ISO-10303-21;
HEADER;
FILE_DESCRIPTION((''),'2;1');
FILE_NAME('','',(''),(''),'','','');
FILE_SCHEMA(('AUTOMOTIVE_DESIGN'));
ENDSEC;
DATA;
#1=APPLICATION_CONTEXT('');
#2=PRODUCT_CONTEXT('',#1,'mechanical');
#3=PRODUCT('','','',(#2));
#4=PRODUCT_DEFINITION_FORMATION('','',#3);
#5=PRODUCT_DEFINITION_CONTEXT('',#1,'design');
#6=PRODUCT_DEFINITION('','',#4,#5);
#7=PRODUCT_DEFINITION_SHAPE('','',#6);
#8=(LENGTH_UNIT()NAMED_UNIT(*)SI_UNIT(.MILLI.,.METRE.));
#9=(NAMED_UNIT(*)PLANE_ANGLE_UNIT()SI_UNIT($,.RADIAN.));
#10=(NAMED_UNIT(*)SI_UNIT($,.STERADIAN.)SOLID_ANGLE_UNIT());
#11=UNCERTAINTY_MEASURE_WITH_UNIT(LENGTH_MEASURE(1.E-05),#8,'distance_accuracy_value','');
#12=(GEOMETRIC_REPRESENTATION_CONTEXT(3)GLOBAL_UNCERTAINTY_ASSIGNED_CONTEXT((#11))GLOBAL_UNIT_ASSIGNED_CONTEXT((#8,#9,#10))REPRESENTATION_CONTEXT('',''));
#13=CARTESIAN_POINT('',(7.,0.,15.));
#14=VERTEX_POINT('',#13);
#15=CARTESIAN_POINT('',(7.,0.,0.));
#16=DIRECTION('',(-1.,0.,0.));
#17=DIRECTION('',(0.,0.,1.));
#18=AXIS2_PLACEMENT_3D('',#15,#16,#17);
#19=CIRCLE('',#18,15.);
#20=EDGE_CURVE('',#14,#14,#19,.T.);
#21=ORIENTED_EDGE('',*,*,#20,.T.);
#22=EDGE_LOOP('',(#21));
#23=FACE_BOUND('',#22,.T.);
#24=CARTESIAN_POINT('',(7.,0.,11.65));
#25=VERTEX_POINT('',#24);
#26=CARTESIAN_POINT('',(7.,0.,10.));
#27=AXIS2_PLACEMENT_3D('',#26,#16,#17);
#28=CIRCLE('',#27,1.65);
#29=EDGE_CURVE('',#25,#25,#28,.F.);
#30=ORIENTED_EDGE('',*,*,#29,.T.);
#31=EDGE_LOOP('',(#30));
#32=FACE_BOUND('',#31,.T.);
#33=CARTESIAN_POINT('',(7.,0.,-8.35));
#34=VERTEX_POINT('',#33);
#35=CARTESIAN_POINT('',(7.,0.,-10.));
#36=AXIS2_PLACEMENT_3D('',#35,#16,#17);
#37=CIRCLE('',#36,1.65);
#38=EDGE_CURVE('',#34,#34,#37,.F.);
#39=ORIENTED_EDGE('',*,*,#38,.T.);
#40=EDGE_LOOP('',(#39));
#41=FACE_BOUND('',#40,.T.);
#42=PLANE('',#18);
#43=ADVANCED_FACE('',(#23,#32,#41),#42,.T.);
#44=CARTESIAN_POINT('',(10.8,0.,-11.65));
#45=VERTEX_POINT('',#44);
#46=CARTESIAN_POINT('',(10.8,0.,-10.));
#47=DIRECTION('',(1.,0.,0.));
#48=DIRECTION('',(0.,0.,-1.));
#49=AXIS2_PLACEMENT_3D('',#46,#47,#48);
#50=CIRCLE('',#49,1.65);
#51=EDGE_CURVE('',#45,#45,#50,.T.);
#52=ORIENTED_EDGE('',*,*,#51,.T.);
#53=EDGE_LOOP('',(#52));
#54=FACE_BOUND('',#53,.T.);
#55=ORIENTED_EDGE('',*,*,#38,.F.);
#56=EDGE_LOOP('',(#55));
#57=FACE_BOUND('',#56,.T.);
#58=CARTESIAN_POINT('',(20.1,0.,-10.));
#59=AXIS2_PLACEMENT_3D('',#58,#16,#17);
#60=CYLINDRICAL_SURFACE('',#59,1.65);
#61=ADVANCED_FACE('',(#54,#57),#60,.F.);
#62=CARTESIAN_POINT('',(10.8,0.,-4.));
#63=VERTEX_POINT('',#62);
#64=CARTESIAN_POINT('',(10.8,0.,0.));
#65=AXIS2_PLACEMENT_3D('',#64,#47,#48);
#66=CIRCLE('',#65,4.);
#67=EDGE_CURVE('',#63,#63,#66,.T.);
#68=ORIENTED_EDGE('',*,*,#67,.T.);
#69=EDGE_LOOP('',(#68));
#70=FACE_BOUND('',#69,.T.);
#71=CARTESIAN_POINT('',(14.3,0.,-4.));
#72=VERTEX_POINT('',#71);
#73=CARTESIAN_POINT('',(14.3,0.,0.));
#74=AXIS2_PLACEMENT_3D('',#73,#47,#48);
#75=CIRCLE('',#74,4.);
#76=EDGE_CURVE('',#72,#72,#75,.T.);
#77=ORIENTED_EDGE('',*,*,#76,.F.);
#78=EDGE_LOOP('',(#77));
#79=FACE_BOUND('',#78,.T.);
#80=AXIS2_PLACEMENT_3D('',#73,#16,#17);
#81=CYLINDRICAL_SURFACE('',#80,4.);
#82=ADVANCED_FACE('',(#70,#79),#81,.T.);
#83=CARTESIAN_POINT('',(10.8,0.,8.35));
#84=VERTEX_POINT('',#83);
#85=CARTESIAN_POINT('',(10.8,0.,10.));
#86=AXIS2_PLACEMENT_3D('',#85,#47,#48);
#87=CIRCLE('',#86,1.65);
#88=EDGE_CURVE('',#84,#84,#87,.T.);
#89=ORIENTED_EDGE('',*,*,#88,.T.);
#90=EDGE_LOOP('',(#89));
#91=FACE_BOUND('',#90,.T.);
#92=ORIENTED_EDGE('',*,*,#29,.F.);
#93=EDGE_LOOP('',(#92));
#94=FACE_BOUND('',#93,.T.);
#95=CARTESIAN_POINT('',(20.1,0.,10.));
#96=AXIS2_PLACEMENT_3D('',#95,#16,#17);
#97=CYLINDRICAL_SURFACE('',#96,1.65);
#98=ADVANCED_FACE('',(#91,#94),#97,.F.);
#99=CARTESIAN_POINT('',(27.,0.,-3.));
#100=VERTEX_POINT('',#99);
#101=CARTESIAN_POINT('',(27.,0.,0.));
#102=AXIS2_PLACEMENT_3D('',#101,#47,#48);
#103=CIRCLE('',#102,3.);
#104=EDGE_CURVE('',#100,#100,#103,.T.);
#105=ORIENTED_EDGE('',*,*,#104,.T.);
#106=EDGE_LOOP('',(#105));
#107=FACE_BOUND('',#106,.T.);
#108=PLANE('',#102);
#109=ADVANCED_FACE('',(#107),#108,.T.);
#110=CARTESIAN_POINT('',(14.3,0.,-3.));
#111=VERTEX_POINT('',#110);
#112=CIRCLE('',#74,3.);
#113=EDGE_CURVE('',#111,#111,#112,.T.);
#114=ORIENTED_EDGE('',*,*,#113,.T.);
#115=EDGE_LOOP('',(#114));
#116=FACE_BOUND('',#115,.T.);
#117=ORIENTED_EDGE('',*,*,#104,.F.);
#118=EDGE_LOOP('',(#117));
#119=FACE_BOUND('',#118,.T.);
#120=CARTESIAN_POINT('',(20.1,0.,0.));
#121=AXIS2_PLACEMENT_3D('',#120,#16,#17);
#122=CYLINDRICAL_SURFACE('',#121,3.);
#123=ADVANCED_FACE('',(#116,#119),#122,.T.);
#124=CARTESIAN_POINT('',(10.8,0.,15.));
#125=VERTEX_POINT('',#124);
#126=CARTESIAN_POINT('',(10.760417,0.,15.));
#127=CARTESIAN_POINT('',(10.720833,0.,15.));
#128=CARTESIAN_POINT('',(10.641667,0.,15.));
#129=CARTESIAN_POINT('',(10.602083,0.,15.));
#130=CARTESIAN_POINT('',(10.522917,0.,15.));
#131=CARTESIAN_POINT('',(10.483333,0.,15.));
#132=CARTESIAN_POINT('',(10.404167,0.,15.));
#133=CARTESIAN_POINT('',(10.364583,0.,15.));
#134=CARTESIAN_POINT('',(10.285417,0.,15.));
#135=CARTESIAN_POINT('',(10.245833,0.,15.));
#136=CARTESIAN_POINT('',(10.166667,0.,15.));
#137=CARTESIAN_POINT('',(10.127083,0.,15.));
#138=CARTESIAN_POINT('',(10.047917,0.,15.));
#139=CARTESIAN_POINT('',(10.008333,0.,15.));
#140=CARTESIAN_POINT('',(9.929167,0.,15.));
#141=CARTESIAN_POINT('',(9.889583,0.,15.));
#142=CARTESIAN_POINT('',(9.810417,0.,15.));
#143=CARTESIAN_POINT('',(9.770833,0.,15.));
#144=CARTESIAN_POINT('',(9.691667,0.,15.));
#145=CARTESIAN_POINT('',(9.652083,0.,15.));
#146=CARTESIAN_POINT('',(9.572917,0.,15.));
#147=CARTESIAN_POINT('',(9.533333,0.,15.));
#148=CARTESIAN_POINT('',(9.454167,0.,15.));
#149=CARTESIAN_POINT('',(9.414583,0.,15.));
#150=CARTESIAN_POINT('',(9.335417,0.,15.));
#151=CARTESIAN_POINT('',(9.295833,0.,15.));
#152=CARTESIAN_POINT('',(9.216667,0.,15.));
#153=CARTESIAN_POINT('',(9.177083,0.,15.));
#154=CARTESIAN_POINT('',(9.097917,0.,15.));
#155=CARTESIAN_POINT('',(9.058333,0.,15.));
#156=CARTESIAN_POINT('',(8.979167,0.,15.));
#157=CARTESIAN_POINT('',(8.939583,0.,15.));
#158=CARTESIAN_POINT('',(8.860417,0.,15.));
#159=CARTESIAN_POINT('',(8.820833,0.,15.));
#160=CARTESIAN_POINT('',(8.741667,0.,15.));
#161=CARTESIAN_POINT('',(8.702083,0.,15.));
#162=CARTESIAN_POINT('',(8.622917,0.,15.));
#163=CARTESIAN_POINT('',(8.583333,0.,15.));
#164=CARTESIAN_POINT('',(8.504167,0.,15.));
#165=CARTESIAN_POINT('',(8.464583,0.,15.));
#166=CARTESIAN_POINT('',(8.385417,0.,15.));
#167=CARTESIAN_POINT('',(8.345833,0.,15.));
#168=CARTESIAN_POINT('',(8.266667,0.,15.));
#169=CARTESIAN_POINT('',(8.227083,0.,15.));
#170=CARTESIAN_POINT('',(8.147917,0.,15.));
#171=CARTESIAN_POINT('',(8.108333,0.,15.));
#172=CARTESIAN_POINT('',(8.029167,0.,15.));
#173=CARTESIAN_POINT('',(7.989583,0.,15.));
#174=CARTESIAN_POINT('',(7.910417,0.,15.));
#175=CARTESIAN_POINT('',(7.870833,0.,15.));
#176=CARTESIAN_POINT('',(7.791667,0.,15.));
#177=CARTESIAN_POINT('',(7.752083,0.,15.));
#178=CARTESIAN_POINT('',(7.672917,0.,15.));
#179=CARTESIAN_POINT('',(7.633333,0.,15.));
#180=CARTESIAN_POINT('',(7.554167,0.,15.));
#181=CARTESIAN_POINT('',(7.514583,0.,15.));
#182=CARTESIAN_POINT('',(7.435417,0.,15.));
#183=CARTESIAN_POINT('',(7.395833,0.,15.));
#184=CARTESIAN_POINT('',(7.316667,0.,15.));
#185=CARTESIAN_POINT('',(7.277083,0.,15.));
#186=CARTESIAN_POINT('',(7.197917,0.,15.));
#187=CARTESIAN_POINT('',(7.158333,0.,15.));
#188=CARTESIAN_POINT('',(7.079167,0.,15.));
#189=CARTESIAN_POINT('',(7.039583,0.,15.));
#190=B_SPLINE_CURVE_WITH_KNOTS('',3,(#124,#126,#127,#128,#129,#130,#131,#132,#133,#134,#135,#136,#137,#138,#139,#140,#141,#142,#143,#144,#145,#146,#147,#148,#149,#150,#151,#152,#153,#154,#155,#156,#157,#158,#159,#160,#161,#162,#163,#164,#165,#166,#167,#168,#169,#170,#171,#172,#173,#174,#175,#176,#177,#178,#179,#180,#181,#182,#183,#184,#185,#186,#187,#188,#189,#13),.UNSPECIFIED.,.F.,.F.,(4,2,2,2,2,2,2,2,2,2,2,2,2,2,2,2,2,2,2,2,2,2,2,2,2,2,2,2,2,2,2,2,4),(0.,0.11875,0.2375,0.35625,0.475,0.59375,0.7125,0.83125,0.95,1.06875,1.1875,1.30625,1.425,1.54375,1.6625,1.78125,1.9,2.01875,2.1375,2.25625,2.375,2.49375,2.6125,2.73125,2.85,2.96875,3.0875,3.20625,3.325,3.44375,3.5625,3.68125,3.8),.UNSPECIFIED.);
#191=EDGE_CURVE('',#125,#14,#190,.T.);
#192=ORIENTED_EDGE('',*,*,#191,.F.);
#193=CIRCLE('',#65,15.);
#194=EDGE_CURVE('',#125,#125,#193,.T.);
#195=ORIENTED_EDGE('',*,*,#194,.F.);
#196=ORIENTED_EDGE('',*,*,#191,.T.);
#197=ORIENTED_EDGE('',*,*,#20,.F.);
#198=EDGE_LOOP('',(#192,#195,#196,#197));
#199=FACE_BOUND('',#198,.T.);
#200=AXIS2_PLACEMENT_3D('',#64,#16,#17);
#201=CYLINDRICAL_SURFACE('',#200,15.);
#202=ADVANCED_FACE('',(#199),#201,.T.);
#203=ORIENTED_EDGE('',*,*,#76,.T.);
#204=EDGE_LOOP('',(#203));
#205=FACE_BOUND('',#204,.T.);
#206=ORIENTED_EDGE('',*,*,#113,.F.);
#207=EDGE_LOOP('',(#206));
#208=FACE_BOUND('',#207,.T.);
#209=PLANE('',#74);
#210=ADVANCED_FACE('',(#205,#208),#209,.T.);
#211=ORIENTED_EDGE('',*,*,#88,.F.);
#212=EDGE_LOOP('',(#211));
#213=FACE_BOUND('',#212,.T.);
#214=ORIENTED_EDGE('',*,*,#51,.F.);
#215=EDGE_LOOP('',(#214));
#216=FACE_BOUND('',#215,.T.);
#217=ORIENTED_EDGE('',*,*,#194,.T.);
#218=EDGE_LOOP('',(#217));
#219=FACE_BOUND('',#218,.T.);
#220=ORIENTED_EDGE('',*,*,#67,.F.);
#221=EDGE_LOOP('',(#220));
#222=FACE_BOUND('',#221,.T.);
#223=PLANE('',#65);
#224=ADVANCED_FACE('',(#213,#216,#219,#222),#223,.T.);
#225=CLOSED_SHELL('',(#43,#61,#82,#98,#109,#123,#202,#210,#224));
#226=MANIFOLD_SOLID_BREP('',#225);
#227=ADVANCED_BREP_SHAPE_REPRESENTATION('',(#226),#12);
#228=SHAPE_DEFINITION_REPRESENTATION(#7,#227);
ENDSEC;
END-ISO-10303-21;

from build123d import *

# Parameters (mm, degrees)
SKETCH_1_R          = 15
EXTRUDE_1_DEPTH     = 10.8
SKETCH_2_R          = 4
EXTRUDE_2_DEPTH     = 3.5
SKETCH_3_R          = 3
EXTRUDE_3_DEPTH     = 5.8
SKETCH_4_R          = 1.65
CUT_EXTRUDE_1_DEPTH = 30.223449488
SKETCH_5_R          = 3
EXTRUDE_4_DEPTH     = 6.9
SKETCH_6_R          = 15
CUT_EXTRUDE_2_DEPTH = 7


with BuildPart() as part:
    # ｽｹｯﾁ1 → ﾎﾞｽ - 押し出し1 (new body)
    with BuildSketch(Plane(origin=(0, 0, 0), x_dir=(0, 0, -1), z_dir=(1, 0, 0))):
        with Locations(Location((0, 0, 0), (0, 0, 180))):
            Circle(SKETCH_1_R)
    extrude(amount=EXTRUDE_1_DEPTH)

    # ｽｹｯﾁ2 → ﾎﾞｽ - 押し出し2 (add)
    with BuildSketch(Plane(origin=(10.8, 0, 0), x_dir=(0, 0, -1), z_dir=(1, 0, 0))):
        Circle(SKETCH_2_R)
    extrude(amount=EXTRUDE_2_DEPTH)

    # ｽｹｯﾁ3 → ﾎﾞｽ - 押し出し3 (add)
    with BuildSketch(Plane(origin=(14.3, 0, 0), x_dir=(0, 0, -1), z_dir=(1, 0, 0))):
        Circle(SKETCH_3_R)
    extrude(amount=EXTRUDE_3_DEPTH)

    # ｽｹｯﾁ4 → ｶｯﾄ - 押し出し1 (cut, through all)
    with BuildSketch(Plane.ZY):
        with Locations((10, 0)):
            Circle(SKETCH_4_R)
        with Locations(Location((-10, 0, 0), (0, 0, 180))):
            Circle(SKETCH_4_R)
    extrude(amount=-CUT_EXTRUDE_1_DEPTH, mode=Mode.SUBTRACT)

    # ｽｹｯﾁ5 → ﾎﾞｽ - 押し出し4 (add)
    with BuildSketch(Plane(origin=(20.1, 0, 0), x_dir=(0, 0, -1), z_dir=(1, 0, 0))):
        Circle(SKETCH_5_R)
    extrude(amount=EXTRUDE_4_DEPTH)

    # ｽｹｯﾁ6 → ｶｯﾄ - 押し出し2 (cut)
    with BuildSketch(Plane.ZY):
        Circle(SKETCH_6_R)
    extrude(amount=-CUT_EXTRUDE_2_DEPTH, mode=Mode.SUBTRACT)


solid = part.part
